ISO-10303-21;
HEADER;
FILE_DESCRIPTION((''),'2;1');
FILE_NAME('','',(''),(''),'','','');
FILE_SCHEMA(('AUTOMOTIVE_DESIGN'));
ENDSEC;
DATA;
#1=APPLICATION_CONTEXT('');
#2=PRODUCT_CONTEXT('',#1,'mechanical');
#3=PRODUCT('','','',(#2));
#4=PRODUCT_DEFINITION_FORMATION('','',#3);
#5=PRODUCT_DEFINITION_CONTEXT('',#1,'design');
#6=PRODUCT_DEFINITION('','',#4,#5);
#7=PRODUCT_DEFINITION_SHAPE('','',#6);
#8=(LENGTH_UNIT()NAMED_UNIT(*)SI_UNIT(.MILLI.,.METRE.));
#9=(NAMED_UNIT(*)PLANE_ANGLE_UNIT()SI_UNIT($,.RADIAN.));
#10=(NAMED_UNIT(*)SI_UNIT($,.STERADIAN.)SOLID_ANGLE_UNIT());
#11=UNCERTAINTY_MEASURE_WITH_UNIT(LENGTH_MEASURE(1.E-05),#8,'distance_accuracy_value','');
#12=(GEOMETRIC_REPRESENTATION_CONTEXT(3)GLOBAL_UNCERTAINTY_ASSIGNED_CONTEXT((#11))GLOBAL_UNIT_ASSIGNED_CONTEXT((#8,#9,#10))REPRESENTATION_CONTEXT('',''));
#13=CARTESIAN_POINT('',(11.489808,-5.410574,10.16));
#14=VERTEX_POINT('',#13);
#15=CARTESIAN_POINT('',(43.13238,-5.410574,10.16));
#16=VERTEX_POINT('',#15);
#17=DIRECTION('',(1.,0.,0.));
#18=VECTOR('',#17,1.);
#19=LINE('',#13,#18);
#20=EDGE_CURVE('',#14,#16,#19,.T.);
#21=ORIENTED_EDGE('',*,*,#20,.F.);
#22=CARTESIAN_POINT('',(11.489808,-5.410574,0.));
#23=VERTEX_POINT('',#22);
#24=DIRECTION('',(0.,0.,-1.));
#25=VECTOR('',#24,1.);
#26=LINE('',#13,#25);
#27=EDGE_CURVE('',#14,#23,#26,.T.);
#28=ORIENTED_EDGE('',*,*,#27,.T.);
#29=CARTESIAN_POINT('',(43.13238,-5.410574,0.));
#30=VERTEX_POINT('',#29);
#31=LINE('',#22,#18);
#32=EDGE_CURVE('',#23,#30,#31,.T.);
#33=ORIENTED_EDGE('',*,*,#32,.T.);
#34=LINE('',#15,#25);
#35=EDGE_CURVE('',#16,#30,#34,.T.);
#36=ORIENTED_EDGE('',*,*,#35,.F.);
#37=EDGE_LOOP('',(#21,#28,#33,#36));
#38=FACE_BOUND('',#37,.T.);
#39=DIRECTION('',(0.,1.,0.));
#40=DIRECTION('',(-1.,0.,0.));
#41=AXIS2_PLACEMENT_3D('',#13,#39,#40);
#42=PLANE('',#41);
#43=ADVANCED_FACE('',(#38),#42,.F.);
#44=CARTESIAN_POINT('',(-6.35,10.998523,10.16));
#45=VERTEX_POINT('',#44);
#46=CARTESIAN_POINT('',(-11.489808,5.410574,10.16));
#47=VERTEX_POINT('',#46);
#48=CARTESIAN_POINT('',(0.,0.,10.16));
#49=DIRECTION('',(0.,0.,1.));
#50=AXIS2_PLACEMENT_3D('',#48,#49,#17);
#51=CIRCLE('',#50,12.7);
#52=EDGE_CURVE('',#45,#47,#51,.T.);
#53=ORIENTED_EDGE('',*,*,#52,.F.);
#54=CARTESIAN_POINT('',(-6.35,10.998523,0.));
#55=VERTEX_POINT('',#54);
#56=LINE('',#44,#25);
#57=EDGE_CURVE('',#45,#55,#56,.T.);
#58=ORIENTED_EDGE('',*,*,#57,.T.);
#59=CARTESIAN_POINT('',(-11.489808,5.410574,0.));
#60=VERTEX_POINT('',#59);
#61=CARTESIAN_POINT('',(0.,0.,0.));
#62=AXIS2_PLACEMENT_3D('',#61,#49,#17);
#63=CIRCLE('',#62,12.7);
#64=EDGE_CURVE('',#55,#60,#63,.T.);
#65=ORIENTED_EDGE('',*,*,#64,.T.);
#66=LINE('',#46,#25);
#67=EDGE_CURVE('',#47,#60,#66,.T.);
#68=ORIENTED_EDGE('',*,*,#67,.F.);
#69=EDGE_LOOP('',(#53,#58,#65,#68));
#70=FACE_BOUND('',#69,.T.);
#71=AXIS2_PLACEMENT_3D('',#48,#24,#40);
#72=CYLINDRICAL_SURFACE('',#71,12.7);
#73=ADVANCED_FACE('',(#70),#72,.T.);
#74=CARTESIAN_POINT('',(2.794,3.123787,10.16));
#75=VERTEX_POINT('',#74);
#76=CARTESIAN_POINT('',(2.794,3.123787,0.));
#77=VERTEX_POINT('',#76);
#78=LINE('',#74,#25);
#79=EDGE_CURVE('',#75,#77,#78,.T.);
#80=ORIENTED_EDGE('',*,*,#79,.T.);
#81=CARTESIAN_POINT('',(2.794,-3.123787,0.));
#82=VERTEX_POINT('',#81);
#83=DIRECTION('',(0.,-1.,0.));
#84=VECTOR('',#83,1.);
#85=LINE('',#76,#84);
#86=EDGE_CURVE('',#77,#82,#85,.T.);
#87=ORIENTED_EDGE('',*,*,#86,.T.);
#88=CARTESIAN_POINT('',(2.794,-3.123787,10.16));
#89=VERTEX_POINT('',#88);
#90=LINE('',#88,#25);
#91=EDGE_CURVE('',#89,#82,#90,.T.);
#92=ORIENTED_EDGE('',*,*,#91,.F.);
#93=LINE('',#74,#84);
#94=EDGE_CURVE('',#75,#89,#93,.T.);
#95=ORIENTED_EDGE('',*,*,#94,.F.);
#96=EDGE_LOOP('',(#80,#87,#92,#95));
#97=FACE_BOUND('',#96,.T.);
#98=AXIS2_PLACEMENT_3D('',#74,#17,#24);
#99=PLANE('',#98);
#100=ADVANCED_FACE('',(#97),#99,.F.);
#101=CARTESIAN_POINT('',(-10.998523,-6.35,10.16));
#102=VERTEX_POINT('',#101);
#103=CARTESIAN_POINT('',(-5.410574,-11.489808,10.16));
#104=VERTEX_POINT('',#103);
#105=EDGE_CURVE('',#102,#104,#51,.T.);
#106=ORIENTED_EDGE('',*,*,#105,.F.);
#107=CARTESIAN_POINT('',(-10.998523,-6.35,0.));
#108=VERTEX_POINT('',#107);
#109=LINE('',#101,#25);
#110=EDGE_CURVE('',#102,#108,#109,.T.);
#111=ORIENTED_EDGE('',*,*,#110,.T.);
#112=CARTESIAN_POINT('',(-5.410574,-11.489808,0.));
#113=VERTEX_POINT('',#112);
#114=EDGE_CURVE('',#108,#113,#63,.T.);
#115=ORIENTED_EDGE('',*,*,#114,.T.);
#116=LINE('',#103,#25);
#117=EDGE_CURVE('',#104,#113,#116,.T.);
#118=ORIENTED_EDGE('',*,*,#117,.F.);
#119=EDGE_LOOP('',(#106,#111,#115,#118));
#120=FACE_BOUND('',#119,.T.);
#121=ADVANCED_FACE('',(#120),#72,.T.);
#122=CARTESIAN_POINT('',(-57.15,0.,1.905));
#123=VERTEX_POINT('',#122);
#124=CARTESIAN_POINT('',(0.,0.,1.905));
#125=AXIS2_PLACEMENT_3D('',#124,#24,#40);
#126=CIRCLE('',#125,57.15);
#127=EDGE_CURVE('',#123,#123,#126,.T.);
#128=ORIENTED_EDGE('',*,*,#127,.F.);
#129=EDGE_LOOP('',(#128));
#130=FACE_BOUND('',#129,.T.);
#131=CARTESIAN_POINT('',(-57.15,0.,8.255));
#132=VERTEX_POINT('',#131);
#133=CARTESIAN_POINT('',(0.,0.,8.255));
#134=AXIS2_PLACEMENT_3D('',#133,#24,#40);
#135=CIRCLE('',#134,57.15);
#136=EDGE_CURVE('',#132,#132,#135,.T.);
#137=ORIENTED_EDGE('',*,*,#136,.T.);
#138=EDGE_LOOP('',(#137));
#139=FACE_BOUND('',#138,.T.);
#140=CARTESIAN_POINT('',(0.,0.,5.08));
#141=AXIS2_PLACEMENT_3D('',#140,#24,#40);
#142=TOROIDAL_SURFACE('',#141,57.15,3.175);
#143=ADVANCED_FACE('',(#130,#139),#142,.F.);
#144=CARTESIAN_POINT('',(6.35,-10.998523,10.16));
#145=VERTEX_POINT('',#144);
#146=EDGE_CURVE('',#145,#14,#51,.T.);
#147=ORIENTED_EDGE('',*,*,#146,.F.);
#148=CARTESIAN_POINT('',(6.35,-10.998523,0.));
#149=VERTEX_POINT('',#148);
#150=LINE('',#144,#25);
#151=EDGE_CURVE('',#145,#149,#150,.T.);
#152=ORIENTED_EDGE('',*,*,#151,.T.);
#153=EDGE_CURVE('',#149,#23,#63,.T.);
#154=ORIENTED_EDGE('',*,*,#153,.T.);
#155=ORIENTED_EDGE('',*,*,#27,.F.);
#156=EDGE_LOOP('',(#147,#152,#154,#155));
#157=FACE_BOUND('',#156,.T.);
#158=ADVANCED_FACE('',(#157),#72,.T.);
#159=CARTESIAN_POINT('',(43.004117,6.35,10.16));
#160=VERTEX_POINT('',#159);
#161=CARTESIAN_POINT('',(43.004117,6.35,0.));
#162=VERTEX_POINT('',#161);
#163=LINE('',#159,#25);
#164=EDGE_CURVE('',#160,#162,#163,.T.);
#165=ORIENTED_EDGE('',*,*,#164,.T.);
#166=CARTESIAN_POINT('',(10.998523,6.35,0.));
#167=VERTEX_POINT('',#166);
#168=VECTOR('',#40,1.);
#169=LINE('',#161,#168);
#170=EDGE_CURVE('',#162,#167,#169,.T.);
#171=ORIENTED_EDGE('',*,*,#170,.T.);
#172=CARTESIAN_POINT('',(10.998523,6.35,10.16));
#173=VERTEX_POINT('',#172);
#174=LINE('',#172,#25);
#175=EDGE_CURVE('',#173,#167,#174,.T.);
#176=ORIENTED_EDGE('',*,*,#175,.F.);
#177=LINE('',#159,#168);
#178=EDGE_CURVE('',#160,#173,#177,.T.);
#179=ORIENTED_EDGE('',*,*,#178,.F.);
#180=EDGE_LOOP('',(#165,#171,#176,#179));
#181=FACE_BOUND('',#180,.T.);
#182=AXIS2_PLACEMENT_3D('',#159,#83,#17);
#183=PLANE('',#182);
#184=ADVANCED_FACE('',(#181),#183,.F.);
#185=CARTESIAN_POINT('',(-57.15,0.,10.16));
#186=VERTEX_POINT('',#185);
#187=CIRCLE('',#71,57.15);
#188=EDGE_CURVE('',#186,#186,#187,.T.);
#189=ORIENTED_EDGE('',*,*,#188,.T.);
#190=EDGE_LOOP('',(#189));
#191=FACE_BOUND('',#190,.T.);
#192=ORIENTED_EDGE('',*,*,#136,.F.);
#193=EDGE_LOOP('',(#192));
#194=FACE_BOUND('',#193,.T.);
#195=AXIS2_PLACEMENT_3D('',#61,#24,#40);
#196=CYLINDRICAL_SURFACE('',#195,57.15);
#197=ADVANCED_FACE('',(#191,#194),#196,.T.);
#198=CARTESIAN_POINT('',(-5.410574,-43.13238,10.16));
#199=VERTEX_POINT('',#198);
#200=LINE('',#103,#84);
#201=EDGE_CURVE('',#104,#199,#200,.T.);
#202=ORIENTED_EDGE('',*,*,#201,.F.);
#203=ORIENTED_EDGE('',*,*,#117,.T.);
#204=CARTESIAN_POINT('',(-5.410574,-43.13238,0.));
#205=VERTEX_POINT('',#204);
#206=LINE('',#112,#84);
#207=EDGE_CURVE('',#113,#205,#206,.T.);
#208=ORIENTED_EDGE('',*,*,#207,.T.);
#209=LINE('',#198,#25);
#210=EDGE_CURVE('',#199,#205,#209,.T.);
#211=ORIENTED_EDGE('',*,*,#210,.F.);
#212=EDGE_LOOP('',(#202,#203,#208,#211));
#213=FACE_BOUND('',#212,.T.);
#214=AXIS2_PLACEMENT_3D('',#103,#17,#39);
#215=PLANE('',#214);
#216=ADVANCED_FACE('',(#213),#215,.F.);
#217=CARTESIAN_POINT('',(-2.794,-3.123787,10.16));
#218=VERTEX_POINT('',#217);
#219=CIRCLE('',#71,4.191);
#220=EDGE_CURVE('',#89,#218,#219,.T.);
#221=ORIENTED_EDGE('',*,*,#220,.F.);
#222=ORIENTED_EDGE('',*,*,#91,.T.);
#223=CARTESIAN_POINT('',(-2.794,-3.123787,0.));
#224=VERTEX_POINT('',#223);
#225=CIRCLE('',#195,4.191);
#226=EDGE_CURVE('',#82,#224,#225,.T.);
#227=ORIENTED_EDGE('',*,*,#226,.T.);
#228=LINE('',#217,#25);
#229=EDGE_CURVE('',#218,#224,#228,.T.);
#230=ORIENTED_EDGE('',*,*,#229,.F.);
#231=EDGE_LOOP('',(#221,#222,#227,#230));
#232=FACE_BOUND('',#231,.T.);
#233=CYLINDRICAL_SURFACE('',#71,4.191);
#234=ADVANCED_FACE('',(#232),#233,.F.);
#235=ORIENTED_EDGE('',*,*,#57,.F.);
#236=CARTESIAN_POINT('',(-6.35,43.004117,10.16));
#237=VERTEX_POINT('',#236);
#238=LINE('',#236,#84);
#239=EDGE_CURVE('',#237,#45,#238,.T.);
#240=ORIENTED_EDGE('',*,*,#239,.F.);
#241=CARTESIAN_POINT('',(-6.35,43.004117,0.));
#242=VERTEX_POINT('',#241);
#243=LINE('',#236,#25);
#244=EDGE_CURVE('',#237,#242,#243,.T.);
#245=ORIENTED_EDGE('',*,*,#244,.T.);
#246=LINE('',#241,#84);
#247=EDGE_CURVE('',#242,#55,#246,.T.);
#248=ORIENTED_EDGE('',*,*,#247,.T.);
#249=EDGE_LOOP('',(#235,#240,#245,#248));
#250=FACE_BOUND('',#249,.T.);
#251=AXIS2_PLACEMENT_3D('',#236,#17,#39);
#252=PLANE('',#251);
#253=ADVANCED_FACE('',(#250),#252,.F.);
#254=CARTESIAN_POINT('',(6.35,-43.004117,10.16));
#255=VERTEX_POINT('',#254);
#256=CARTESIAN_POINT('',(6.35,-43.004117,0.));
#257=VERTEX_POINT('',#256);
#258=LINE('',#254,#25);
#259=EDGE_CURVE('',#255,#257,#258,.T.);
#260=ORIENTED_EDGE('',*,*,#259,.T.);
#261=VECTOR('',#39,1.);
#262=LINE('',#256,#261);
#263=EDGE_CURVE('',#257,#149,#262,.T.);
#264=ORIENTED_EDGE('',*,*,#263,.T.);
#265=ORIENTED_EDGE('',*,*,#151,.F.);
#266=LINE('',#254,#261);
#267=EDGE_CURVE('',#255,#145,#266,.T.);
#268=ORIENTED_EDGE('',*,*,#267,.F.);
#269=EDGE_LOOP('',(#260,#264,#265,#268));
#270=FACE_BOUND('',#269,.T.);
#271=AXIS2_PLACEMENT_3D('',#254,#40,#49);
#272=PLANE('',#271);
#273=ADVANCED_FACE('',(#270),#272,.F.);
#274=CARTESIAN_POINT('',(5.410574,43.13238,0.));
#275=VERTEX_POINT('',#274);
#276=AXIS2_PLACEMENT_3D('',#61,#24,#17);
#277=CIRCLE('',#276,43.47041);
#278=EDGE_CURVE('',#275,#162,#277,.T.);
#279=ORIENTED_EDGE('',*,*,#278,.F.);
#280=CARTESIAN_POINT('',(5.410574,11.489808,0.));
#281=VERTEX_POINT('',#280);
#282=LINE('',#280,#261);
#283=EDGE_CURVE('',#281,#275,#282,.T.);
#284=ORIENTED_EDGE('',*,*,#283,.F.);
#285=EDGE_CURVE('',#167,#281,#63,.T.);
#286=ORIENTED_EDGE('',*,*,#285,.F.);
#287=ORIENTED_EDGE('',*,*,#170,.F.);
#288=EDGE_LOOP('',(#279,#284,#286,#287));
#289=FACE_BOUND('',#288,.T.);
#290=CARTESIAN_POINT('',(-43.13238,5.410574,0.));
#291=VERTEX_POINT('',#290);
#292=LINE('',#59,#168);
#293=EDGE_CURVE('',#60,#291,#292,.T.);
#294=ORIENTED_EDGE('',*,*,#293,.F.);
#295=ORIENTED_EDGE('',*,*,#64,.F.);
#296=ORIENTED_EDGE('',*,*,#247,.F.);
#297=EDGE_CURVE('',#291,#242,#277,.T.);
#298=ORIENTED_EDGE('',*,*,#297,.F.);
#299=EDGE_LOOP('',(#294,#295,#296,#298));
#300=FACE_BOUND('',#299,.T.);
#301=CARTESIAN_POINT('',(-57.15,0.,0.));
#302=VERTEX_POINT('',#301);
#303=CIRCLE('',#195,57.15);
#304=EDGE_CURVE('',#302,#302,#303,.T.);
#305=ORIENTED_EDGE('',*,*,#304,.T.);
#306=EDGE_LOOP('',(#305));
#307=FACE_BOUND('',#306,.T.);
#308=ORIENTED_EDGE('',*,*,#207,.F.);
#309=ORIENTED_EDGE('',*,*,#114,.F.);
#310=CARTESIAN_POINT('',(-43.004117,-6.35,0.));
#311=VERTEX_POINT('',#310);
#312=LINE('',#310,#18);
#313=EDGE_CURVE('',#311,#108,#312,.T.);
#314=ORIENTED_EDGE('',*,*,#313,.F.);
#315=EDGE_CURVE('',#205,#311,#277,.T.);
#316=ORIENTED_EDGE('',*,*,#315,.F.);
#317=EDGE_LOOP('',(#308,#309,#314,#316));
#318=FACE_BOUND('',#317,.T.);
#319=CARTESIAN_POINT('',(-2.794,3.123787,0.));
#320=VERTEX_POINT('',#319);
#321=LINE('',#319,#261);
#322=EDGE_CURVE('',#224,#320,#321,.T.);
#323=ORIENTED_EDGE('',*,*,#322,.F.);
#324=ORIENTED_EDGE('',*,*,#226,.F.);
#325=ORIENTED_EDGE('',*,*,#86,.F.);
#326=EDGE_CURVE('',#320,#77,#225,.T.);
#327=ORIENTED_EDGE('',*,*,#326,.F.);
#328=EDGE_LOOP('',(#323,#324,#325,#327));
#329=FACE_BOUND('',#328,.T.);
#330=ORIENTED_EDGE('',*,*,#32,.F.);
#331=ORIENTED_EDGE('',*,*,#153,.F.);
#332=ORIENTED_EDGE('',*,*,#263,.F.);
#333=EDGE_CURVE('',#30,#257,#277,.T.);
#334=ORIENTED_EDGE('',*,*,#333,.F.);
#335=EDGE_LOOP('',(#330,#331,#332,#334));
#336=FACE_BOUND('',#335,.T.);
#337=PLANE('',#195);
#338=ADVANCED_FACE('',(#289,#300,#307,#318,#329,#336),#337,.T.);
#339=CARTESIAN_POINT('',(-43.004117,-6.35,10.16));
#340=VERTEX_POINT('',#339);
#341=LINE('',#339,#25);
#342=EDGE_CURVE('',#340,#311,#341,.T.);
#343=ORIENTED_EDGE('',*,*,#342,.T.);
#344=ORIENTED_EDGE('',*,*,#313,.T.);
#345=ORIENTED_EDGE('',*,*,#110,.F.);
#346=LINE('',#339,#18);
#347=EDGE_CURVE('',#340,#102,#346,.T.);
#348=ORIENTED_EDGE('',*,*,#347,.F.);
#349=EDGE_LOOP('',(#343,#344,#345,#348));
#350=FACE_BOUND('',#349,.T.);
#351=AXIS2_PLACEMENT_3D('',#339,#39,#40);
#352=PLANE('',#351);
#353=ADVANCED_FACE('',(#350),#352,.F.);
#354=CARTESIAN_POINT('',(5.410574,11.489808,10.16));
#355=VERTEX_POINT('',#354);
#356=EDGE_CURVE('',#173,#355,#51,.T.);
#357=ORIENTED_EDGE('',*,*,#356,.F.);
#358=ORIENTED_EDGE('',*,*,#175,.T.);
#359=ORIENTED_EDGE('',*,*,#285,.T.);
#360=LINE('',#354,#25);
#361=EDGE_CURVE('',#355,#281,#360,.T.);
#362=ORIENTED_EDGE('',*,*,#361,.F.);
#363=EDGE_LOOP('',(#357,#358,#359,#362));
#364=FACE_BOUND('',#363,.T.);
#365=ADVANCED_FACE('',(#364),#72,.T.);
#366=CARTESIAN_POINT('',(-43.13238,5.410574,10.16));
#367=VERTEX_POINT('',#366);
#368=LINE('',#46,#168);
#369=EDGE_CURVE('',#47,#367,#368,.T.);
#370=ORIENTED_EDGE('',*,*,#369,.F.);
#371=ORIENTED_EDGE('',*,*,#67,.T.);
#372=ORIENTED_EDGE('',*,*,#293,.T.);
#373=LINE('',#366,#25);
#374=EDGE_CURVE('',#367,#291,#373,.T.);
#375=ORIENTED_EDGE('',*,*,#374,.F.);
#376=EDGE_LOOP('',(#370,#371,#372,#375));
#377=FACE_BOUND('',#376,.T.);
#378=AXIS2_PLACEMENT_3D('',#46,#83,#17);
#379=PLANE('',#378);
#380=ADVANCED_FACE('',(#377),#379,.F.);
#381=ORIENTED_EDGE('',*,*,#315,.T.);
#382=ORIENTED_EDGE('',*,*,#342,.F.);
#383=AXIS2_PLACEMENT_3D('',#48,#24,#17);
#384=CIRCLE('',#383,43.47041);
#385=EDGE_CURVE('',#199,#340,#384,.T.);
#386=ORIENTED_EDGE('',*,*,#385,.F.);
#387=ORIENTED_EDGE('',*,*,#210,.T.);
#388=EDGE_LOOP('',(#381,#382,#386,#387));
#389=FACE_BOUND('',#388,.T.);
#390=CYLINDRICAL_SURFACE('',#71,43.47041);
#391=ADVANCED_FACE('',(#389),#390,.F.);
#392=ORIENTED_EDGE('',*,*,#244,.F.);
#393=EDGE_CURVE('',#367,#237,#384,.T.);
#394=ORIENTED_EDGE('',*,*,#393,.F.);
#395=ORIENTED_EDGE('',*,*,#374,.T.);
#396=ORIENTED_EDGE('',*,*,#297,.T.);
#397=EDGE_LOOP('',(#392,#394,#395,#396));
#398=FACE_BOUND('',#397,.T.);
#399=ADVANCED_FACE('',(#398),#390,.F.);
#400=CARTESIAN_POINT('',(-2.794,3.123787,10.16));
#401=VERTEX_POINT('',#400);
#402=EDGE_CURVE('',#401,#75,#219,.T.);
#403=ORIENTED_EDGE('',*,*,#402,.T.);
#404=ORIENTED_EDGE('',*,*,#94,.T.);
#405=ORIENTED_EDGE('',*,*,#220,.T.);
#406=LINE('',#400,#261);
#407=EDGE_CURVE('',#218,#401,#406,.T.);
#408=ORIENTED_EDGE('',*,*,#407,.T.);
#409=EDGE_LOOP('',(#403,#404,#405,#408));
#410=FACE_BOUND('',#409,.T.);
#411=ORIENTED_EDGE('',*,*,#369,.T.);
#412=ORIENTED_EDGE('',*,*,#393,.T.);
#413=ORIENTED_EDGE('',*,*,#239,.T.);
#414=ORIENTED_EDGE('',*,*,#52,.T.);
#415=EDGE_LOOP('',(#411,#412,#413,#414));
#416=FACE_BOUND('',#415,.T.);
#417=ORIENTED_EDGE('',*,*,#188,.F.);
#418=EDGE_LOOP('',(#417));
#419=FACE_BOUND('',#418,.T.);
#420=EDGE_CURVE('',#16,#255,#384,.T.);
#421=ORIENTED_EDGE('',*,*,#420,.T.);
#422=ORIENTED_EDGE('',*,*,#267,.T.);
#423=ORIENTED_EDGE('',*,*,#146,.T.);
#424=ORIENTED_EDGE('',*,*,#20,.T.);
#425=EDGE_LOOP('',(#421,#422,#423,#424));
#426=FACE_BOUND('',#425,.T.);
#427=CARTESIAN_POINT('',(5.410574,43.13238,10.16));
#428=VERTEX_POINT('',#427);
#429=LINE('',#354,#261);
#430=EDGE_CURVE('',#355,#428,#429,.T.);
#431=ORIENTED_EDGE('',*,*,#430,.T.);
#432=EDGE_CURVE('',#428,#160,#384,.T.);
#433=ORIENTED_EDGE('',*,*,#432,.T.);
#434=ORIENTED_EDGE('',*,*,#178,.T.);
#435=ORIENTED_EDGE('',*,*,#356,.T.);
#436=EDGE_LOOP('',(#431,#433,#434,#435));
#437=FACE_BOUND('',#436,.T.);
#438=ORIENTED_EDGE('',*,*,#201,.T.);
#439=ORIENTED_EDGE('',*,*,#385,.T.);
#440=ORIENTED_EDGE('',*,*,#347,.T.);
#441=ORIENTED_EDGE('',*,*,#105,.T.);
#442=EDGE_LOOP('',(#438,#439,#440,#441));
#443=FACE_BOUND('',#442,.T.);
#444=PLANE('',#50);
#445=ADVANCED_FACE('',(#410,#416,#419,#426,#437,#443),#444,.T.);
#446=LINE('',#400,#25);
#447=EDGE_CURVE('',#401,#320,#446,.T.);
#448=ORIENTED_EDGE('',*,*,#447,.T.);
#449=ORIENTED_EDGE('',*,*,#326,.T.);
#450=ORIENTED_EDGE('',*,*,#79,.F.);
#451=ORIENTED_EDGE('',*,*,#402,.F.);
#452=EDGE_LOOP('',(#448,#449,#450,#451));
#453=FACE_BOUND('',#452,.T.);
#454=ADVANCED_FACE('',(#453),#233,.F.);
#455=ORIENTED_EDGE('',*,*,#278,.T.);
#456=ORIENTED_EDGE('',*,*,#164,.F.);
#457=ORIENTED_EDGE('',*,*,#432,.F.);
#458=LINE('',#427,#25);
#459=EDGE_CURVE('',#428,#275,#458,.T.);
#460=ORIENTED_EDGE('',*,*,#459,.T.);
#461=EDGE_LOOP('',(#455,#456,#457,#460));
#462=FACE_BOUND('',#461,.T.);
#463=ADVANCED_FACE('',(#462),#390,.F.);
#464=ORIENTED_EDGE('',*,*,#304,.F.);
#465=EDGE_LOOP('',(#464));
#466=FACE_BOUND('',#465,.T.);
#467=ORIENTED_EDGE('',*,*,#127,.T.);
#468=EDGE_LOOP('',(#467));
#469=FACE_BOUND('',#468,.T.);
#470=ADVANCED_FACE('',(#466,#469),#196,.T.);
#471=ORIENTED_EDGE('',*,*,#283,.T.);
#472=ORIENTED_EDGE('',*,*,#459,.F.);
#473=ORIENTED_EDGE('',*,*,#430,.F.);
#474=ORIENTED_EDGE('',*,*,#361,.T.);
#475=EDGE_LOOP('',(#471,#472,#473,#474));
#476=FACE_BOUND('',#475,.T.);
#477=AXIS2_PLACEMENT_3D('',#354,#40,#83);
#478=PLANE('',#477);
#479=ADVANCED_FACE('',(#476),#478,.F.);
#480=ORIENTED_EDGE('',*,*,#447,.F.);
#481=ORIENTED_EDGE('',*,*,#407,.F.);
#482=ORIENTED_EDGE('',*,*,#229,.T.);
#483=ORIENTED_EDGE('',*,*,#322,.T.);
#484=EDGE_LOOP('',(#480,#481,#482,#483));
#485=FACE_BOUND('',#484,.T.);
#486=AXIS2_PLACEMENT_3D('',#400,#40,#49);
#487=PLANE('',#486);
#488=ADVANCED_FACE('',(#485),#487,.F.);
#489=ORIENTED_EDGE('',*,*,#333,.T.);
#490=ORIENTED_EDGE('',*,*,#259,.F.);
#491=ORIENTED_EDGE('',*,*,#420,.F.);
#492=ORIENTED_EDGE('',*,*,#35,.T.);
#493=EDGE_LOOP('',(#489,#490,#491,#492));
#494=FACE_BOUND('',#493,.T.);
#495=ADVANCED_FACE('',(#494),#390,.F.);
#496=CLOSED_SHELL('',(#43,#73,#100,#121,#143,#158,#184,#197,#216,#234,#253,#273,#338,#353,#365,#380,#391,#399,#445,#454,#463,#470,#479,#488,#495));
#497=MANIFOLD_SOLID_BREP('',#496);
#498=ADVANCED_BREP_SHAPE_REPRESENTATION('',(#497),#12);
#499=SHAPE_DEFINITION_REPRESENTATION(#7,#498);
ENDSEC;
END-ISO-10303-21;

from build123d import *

# Parameters (mm, degrees)
CUT_EXTRUDE2_DEPTH = 82.458397971
CUT_EXTRUDE3_DEPTH = 82.458397971


with BuildPart() as part:
    # Sketch1 → Revolve1 (revolve)
    with BuildSketch(Plane(origin=(0, 0, 0), x_dir=(1, 0, 0), z_dir=(0, 1, 0))):
        with BuildLine():
            Line((-57.15, 0), (-57.15, -1.905))
            ThreePointArc((-57.15, -1.905), (-53.975, -5.08), (-57.15, -8.255))
            Line((-57.15, -8.255), (-57.15, -10.16))
            Line((-57.15, -10.16), (0, -10.16))
            Line((0, -10.16), (0, 0))
            Line((0, 0), (-57.15, 0))
        make_face()
    revolve(axis=Axis((0, 0, 0), (0, 0, 1)))

    # Sketch3 → Cut-Extrude2 (cut, through all)
    with BuildSketch(Plane(origin=(0, 0, 0), x_dir=(-1, 0, 0), z_dir=(0, 0, -1))):
        with BuildLine():
            Line((6.35, 43.004116755), (6.35, 10.998522628))
            ThreePointArc((6.35, 10.998522628), (9.347244518, 8.597617108), (11.489808035, 5.410574028))
            Line((11.489808035, 5.410574028), (43.132380488, 5.410574028))
            ThreePointArc((43.132380488, 5.410574028), (31.071612581, 30.401175134), (6.35, 43.004116755))
        make_face()
        with BuildLine():
            Line((5.410574028, -11.489808035), (5.410574028, -43.132380488))
            ThreePointArc((5.410574028, -43.132380488), (30.401175134, -31.071612581), (43.004116755, -6.35))
            Line((43.004116755, -6.35), (10.998522628, -6.35))
            ThreePointArc((10.998522628, -6.35), (8.597617108, -9.347244518), (5.410574028, -11.489808035))
        make_face()
        with BuildLine():
            Line((-11.489808035, -5.410574028), (-43.132380488, -5.410574028))
            ThreePointArc((-43.132380488, -5.410574028), (-31.071612581, -30.401175134), (-6.35, -43.004116755))
            Line((-6.35, -43.004116755), (-6.35, -10.998522628))
            ThreePointArc((-6.35, -10.998522628), (-9.347244518, -8.597617108), (-11.489808035, -5.410574028))
        make_face()
        with BuildLine():
            Line((-5.410574028, 11.489808035), (-5.410574028, 43.132380488))
            ThreePointArc((-5.410574028, 43.132380488), (-30.401175134, 31.071612581), (-43.004116755, 6.35))
            Line((-43.004116755, 6.35), (-10.998522628, 6.35))
            ThreePointArc((-10.998522628, 6.35), (-8.597617108, 9.347244518), (-5.410574028, 11.489808035))
        make_face()
    extrude(amount=-CUT_EXTRUDE2_DEPTH, mode=Mode.SUBTRACT)

    # Sketch6 → Cut-Extrude3 (cut, through all)
    with BuildSketch(Plane(origin=(0, 0, 0), x_dir=(-1, 0, 0), z_dir=(0, 0, -1))):
        with BuildLine():
            Line((-2.794, 3.123786965), (-2.794, -3.123786965))
            ThreePointArc((-2.794, -3.123786965), (0, -4.191), (2.794, -3.123786965))
            Line((2.794, -3.123786965), (2.794, 3.123786965))
            ThreePointArc((2.794, 3.123786965), (0, 4.191), (-2.794, 3.123786965))
        make_face()
    extrude(amount=-CUT_EXTRUDE3_DEPTH, mode=Mode.SUBTRACT)


solid = part.part
